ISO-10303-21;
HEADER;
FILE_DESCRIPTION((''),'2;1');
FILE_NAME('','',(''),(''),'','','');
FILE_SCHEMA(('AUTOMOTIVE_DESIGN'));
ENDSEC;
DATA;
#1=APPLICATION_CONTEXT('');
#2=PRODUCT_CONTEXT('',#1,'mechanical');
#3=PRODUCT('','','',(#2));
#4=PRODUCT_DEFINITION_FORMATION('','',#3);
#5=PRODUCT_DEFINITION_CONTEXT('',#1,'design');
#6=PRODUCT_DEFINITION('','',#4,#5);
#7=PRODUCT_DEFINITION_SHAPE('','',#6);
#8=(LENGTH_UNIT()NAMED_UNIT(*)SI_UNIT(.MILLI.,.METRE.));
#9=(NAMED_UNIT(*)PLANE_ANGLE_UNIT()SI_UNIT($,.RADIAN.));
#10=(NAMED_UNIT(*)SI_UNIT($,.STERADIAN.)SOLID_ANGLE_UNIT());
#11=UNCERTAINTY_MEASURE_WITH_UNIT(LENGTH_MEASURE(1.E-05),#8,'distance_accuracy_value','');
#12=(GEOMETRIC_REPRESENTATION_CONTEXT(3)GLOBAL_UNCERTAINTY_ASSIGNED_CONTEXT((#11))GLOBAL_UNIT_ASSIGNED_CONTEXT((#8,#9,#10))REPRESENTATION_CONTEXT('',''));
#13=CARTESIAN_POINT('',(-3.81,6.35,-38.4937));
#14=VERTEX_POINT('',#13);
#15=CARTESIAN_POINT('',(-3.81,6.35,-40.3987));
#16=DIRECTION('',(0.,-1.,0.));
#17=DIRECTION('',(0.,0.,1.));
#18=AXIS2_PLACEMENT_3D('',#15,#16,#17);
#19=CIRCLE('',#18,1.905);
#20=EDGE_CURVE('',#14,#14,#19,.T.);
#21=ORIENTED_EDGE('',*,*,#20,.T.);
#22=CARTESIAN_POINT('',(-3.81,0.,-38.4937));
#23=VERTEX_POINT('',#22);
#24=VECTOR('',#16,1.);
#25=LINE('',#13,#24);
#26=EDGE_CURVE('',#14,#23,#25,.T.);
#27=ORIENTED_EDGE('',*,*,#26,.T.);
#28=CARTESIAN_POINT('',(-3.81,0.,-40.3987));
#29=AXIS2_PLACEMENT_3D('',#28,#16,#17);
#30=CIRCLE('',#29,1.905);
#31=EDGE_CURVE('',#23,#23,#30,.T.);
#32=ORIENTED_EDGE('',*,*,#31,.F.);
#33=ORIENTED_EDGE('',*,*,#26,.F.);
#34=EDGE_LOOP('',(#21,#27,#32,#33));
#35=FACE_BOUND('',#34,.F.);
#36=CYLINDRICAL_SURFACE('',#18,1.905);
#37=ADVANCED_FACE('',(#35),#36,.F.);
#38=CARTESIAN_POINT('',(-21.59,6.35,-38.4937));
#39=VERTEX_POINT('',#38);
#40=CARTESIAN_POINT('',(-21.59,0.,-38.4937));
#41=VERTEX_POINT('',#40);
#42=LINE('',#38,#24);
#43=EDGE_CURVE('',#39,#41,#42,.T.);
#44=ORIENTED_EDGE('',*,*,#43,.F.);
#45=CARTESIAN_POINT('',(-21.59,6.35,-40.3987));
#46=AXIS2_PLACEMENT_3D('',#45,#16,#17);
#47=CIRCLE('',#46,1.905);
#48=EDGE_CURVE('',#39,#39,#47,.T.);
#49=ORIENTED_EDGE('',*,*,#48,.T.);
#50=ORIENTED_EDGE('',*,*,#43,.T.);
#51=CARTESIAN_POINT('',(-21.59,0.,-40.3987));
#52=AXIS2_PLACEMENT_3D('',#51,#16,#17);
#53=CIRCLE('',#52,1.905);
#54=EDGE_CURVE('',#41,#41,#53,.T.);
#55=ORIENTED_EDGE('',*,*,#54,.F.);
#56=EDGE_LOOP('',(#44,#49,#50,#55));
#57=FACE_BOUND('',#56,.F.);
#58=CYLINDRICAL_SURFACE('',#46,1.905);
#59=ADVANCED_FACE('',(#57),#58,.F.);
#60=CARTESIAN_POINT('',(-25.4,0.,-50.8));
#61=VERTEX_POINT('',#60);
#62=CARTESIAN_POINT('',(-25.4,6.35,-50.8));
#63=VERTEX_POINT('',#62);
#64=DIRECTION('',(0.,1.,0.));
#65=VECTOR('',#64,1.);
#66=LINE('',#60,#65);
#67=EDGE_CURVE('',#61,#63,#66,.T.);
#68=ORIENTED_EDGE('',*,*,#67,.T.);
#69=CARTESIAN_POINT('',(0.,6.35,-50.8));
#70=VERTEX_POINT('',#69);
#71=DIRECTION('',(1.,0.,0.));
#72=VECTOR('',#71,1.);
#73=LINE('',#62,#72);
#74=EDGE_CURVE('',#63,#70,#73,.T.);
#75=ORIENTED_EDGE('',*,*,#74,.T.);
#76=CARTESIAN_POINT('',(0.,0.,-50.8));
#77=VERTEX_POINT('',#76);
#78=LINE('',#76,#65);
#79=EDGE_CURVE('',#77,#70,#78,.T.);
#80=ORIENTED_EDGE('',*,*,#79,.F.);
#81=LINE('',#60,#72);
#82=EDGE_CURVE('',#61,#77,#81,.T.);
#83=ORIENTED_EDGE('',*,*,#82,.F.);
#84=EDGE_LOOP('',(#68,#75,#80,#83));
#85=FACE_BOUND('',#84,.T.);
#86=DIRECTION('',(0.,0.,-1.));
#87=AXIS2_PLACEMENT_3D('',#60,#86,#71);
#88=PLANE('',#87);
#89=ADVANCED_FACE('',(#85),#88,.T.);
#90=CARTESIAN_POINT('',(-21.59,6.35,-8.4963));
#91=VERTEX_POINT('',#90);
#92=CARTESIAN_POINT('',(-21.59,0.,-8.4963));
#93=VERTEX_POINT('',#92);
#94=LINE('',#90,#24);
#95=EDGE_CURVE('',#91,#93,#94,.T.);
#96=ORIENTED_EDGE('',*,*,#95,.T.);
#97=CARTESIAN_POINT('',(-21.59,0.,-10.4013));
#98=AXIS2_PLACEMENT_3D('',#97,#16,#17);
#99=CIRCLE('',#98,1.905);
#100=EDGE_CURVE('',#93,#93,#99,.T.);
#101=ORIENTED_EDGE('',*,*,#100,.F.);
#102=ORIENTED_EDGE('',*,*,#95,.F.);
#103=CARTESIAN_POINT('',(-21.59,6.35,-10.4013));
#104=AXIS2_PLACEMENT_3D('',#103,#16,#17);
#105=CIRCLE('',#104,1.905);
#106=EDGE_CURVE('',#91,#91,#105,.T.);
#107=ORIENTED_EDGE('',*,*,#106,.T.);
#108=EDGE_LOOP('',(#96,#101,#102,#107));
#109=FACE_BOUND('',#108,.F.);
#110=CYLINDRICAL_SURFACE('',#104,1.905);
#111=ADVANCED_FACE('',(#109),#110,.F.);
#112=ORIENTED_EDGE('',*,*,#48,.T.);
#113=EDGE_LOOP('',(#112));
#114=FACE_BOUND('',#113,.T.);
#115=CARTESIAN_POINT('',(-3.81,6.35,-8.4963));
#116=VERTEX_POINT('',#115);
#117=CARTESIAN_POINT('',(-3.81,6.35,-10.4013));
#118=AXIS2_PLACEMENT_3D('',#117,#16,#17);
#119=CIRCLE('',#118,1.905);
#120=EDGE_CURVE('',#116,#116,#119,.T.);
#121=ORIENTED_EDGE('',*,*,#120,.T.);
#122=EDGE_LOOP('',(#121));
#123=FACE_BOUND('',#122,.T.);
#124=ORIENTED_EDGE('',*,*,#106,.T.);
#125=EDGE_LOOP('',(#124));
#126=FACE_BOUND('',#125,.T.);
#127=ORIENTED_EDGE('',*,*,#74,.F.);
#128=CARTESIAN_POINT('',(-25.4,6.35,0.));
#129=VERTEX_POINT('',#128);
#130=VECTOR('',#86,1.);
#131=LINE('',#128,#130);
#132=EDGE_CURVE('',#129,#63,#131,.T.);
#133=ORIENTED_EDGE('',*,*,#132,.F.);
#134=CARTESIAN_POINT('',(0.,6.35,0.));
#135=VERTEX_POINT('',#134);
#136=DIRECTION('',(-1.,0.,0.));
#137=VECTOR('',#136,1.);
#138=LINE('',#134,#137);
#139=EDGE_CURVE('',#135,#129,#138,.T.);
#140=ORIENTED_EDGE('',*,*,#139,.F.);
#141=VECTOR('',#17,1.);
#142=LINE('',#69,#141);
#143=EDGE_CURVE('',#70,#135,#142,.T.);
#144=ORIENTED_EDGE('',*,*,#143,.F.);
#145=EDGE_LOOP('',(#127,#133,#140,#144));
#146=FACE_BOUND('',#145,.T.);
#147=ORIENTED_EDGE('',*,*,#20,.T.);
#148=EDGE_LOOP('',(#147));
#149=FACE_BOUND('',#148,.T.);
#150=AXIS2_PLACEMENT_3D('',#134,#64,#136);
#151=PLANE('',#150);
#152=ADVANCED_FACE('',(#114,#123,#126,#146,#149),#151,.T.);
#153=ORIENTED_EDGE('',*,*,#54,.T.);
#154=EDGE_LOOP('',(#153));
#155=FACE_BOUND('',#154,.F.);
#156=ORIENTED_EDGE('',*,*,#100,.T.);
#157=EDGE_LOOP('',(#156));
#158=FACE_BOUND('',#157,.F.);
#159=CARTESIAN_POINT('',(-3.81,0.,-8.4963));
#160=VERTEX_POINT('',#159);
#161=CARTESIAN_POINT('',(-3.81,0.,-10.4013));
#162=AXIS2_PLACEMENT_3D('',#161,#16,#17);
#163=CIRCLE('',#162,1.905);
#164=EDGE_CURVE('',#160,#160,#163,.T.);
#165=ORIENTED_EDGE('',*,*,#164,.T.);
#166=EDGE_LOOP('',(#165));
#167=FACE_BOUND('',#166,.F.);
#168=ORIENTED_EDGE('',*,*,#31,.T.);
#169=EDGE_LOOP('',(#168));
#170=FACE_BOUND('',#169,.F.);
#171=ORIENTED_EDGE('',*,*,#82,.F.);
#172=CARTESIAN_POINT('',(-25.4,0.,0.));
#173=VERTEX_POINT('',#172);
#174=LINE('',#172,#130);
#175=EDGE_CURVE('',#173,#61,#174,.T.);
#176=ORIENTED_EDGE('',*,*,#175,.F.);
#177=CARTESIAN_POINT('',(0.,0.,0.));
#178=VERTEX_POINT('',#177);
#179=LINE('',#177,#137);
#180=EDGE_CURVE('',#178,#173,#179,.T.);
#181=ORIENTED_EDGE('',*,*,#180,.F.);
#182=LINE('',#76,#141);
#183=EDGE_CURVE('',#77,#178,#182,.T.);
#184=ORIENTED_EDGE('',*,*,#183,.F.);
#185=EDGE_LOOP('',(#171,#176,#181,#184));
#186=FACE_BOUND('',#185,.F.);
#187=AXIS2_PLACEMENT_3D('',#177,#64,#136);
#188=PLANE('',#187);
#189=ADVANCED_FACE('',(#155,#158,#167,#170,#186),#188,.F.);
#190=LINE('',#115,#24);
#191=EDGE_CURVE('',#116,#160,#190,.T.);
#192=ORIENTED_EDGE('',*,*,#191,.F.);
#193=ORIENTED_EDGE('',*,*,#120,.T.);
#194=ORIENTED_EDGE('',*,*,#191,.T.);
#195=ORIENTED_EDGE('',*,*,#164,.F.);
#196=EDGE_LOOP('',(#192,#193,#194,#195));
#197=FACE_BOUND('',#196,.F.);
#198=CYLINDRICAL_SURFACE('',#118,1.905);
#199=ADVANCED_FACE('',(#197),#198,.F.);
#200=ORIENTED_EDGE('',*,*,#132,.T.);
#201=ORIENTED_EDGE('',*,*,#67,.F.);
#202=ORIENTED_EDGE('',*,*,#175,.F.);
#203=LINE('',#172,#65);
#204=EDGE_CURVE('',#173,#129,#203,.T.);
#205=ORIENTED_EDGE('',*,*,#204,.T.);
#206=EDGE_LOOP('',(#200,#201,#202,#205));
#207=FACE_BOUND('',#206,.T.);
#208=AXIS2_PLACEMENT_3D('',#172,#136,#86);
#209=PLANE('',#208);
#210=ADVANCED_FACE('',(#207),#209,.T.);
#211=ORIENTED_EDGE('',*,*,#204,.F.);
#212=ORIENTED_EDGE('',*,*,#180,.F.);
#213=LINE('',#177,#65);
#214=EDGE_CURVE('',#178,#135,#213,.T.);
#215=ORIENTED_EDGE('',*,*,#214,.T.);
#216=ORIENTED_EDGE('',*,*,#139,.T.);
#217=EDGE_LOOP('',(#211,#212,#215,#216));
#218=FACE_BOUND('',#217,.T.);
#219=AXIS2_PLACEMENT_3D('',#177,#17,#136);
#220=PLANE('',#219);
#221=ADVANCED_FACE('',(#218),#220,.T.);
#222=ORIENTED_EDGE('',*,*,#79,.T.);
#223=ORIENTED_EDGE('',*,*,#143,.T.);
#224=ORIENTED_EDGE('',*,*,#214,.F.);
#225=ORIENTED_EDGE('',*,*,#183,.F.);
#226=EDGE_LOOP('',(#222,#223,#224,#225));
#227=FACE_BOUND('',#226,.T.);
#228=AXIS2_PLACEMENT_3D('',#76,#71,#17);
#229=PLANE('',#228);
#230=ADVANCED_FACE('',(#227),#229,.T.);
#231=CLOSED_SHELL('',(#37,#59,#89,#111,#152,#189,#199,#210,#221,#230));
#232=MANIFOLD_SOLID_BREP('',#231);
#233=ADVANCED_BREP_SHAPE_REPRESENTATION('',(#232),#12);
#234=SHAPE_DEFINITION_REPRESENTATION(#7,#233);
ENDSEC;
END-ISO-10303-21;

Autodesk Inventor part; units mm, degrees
ref_plane "YZ Plane" through (0, 0, 0) normal (1, 0, 0) x (0, 1, 0)
ref_plane "XZ Plane" through (0, 0, 0) normal (0, 1, 0) x (-1, 0, 0)
ref_plane "XY Plane" through (0, 0, 0) normal (0, 0, 1) x (1, 0, 0)
sketch "Sketch1" plane through (0, 0, 0) normal (0, 1, 0) x (-1, 0, 0)
  line L0 (0, 0) -> (25.4, 0)
  line L1 (25.4, 0) -> (25.4, -50.8)
  line L2 (25.4, -50.8) -> (0, -50.8)
  line L3 (0, -50.8) -> (0, 0)
  dimension "d0" = 50.8
  dimension "d1" = 25.4
extrude "Extrusion1" add sketch "Sketch1" along normal blind 6.35
sketch "Sketch2" plane through (0, 6.35, 0) normal (0, 1, 0) x (1, 0, 0)
  line L0 (-25.4, 0) -> (0, 0) projected
  line L1 (0, 0) -> (0, 50.8) projected
  line L2 (0, 50.8) -> (-25.4, 50.8) projected
  line L3 (-25.4, 50.8) -> (-25.4, 0) projected
  point P0 (-21.59, 10.4013)
  point P1 (-21.59, 40.3987)
  point P2 (-3.81, 10.4013)
  point P3 (-3.81, 40.3987)
  dimension "d4" = 29.9974
  dimension "d5" = 50.8
  dimension "d6" = 10.4013
  dimension "d9" = 29.9974
  dimension "d10" = 3.81
  dimension "d11" = 3.81
  dimension "d12" = 3.81
  dimension "d13" = 3.81
  dimension "d14" = 10.4013
hole "Hole1" at (-21.59, 6.35, -10.4013) at (-21.59, 6.35, -40.3987) at (-3.81, 6.35, -10.4013) at (-3.81, 6.35, -40.3987) direction (0, -1, 0) diameter 3.81 depth 25.4 tip angle 118
equation "\"d6\" = -0.5 * d4 + 0.5 * d5"
equation "\"d9\" = d4"
equation "\"d11\" = d10"
equation "\"d12\" = d10"
equation "\"d13\" = d10"
equation "\"d14\" = d6"
properties part number "20X20 carege"
